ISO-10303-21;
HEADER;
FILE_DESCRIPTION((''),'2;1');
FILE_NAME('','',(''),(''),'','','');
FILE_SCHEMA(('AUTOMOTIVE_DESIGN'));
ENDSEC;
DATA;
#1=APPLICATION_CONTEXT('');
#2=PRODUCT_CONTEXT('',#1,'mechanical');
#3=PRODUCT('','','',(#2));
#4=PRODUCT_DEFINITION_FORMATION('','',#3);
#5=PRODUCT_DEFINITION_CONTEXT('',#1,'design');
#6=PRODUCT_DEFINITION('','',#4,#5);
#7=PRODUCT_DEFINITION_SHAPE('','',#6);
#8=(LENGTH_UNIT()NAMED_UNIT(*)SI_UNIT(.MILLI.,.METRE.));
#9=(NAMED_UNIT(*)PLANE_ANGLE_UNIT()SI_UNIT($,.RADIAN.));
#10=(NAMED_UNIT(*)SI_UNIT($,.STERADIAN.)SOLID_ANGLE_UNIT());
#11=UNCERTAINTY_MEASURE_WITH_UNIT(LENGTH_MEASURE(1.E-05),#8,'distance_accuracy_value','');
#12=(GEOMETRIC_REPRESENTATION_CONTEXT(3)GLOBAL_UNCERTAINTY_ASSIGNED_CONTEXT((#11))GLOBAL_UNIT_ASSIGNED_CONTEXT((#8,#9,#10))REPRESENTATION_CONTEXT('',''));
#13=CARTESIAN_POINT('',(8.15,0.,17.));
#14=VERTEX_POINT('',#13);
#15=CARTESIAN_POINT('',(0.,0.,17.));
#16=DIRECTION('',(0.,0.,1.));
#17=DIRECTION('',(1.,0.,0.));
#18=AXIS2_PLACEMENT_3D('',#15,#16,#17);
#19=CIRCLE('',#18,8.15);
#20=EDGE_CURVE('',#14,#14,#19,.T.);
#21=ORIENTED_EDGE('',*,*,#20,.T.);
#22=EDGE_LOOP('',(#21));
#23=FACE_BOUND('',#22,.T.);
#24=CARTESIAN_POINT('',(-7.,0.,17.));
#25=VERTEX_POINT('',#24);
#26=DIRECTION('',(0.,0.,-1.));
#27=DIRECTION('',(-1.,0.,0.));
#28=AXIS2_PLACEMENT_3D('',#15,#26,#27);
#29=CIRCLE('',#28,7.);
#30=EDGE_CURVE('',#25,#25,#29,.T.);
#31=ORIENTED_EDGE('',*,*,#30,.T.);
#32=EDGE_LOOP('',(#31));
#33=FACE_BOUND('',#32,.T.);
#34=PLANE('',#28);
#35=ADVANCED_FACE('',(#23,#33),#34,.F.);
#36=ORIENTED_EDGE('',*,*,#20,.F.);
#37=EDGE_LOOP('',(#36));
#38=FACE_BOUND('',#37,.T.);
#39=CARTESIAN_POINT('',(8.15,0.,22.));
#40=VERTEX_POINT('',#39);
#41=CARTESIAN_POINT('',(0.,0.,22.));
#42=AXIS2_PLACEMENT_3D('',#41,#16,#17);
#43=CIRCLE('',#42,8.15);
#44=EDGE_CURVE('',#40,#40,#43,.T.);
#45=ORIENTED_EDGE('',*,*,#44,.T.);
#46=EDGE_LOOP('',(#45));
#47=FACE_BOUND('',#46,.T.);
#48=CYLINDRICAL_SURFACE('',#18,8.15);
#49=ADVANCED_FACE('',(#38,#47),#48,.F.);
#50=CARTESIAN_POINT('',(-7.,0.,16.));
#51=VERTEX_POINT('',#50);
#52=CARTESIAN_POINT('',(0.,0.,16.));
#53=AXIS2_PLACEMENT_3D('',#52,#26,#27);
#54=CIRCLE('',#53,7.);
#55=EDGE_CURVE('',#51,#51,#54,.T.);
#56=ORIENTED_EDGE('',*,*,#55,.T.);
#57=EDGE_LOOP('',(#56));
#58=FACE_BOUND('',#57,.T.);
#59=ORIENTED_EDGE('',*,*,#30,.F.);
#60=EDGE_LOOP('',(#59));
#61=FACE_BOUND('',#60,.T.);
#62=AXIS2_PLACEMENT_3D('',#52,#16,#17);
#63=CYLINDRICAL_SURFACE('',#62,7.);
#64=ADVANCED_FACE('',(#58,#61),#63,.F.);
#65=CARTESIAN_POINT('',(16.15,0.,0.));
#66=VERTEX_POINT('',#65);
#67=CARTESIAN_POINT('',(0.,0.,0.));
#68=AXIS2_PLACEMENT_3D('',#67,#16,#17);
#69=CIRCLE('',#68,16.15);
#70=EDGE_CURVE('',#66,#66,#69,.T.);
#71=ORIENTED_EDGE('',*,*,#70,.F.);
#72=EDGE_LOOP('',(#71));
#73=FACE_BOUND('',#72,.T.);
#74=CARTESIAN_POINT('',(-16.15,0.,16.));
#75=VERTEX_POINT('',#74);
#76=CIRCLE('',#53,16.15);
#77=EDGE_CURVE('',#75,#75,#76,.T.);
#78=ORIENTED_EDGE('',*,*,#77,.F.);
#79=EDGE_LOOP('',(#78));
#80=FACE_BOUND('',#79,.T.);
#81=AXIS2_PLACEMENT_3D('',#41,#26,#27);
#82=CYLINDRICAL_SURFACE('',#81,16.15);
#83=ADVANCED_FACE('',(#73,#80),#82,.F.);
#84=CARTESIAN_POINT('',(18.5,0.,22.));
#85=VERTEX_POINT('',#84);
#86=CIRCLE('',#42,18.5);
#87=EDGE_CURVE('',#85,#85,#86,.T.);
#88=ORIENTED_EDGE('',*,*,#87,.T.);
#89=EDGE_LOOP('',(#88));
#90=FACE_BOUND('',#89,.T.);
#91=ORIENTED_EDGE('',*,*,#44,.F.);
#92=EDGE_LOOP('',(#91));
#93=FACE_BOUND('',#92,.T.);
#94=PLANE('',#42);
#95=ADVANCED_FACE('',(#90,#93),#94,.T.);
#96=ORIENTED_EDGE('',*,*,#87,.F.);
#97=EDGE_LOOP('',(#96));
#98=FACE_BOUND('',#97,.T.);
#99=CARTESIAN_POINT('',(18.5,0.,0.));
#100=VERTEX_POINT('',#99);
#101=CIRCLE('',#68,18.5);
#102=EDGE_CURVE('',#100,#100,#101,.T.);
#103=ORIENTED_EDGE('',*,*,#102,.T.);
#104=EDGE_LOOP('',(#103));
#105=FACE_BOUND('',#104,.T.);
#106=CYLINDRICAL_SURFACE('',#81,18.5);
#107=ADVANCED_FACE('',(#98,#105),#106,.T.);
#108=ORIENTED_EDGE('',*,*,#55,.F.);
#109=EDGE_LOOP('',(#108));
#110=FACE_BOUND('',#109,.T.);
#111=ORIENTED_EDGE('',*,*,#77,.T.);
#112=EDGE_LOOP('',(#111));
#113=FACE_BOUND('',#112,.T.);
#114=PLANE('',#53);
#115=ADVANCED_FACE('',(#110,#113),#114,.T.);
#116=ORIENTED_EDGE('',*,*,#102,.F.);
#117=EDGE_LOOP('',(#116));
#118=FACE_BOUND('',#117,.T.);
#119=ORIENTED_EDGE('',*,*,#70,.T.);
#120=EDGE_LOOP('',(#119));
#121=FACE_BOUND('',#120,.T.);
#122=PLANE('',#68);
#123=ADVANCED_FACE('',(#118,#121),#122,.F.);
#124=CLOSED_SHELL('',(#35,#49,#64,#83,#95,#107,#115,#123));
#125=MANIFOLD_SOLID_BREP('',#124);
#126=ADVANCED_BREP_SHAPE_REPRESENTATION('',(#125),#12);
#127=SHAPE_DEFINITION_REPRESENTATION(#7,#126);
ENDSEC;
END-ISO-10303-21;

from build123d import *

# Parameters (mm, degrees)
CROQUIS1_R              = 18.5
CROQUIS1_R_2            = 16.15
SALIENTE_EXTRUIR1_DEPTH = 22
SALIENTE_EXTRUIR2_START = -5
CROQUIS2_R              = 16.15
CROQUIS2_R_2            = 8.15
SALIENTE_EXTRUIR2_DEPTH = 5
SALIENTE_EXTRUIR3_START = 1
CROQUIS3_R              = 16.15
CROQUIS3_R_2            = 7
SALIENTE_EXTRUIR3_DEPTH = 1


with BuildPart() as part:
    # Croquis1 → Saliente-Extruir1 (new body)
    with BuildSketch(Plane.XY):
        Circle(CROQUIS1_R)
        Circle(CROQUIS1_R_2, mode=Mode.SUBTRACT)
    extrude(amount=SALIENTE_EXTRUIR1_DEPTH)

    # Croquis2 → Saliente-Extruir2 (add)
    with BuildSketch(Plane.XY.offset(22).offset(SALIENTE_EXTRUIR2_START)):
        Circle(CROQUIS2_R)
        Circle(CROQUIS2_R_2, mode=Mode.SUBTRACT)
    extrude(amount=SALIENTE_EXTRUIR2_DEPTH)

    # Croquis3 → Saliente-Extruir3 (add)
    with BuildSketch(Plane(origin=(0, 0, 17), x_dir=(-1, 0, 0), z_dir=(0, 0, -1)).offset(SALIENTE_EXTRUIR3_START)):
        Circle(CROQUIS3_R)
        Circle(CROQUIS3_R_2, mode=Mode.SUBTRACT)
    extrude(amount=-SALIENTE_EXTRUIR3_DEPTH)


solid = part.part
